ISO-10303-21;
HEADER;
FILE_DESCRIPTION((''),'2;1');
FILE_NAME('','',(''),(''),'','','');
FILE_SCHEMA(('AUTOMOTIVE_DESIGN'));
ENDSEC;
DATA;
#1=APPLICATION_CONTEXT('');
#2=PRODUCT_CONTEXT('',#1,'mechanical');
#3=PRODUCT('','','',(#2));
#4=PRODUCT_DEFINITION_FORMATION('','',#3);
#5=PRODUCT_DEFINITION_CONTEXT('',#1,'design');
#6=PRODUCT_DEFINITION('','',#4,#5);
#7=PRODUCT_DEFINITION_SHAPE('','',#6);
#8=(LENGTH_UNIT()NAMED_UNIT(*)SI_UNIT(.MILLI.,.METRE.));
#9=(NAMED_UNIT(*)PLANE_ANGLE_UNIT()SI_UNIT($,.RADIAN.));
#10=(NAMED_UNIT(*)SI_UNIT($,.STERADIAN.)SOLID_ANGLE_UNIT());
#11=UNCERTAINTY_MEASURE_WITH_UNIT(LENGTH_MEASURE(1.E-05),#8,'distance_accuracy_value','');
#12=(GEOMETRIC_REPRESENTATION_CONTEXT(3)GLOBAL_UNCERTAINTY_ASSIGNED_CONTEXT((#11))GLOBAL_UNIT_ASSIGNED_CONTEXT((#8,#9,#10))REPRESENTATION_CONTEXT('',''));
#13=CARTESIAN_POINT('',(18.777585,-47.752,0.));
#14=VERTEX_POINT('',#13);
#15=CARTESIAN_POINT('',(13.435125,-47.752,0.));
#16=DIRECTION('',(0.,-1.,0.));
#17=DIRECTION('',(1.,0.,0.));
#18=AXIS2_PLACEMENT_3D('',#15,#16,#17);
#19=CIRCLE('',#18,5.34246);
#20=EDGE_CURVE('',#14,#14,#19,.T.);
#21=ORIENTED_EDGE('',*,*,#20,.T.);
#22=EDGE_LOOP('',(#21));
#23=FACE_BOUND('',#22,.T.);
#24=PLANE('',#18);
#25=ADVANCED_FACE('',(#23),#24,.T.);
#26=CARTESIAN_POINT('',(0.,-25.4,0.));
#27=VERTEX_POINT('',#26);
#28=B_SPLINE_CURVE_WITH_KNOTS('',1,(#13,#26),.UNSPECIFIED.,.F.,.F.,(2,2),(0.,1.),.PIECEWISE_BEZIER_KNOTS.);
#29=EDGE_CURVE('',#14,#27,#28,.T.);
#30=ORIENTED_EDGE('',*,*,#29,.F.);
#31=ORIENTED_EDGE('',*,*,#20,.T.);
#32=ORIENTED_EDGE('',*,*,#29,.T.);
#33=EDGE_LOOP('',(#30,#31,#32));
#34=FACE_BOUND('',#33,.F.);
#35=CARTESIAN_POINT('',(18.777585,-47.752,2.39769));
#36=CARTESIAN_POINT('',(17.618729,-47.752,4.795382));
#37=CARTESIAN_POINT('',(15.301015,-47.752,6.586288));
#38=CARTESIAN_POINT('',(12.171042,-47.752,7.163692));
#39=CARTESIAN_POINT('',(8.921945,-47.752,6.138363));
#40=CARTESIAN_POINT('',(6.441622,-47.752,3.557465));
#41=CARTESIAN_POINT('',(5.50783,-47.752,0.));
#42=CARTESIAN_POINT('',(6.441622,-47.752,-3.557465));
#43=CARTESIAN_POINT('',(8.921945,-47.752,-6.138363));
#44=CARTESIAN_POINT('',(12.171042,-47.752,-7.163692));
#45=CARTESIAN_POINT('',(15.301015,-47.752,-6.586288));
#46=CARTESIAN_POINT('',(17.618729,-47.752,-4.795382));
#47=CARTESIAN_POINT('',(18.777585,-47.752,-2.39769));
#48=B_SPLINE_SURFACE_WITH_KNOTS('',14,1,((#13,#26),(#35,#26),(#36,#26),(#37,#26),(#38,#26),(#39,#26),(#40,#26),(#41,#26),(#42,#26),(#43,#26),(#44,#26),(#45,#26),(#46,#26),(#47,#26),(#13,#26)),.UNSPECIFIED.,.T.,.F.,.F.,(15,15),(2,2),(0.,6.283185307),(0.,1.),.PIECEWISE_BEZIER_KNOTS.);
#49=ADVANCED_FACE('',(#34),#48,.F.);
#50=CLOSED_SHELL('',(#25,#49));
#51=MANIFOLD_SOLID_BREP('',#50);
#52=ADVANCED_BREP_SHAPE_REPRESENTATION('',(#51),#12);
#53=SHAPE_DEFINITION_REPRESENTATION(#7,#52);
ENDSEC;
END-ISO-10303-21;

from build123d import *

# Parameters (mm, degrees)
F1_R = 5.34246


with BuildPart() as f4:
    # F1 (on offset) → F4 section 0
    with BuildSketch(Plane.XZ.offset(47.752), mode=Mode.PRIVATE) as f4_s0:
        with Locations((13.435125, 0)):
            Circle(F1_R)
    loft([f4_s0.sketch, Vertex(0, -25.4, 0)])


solid = f4.part
